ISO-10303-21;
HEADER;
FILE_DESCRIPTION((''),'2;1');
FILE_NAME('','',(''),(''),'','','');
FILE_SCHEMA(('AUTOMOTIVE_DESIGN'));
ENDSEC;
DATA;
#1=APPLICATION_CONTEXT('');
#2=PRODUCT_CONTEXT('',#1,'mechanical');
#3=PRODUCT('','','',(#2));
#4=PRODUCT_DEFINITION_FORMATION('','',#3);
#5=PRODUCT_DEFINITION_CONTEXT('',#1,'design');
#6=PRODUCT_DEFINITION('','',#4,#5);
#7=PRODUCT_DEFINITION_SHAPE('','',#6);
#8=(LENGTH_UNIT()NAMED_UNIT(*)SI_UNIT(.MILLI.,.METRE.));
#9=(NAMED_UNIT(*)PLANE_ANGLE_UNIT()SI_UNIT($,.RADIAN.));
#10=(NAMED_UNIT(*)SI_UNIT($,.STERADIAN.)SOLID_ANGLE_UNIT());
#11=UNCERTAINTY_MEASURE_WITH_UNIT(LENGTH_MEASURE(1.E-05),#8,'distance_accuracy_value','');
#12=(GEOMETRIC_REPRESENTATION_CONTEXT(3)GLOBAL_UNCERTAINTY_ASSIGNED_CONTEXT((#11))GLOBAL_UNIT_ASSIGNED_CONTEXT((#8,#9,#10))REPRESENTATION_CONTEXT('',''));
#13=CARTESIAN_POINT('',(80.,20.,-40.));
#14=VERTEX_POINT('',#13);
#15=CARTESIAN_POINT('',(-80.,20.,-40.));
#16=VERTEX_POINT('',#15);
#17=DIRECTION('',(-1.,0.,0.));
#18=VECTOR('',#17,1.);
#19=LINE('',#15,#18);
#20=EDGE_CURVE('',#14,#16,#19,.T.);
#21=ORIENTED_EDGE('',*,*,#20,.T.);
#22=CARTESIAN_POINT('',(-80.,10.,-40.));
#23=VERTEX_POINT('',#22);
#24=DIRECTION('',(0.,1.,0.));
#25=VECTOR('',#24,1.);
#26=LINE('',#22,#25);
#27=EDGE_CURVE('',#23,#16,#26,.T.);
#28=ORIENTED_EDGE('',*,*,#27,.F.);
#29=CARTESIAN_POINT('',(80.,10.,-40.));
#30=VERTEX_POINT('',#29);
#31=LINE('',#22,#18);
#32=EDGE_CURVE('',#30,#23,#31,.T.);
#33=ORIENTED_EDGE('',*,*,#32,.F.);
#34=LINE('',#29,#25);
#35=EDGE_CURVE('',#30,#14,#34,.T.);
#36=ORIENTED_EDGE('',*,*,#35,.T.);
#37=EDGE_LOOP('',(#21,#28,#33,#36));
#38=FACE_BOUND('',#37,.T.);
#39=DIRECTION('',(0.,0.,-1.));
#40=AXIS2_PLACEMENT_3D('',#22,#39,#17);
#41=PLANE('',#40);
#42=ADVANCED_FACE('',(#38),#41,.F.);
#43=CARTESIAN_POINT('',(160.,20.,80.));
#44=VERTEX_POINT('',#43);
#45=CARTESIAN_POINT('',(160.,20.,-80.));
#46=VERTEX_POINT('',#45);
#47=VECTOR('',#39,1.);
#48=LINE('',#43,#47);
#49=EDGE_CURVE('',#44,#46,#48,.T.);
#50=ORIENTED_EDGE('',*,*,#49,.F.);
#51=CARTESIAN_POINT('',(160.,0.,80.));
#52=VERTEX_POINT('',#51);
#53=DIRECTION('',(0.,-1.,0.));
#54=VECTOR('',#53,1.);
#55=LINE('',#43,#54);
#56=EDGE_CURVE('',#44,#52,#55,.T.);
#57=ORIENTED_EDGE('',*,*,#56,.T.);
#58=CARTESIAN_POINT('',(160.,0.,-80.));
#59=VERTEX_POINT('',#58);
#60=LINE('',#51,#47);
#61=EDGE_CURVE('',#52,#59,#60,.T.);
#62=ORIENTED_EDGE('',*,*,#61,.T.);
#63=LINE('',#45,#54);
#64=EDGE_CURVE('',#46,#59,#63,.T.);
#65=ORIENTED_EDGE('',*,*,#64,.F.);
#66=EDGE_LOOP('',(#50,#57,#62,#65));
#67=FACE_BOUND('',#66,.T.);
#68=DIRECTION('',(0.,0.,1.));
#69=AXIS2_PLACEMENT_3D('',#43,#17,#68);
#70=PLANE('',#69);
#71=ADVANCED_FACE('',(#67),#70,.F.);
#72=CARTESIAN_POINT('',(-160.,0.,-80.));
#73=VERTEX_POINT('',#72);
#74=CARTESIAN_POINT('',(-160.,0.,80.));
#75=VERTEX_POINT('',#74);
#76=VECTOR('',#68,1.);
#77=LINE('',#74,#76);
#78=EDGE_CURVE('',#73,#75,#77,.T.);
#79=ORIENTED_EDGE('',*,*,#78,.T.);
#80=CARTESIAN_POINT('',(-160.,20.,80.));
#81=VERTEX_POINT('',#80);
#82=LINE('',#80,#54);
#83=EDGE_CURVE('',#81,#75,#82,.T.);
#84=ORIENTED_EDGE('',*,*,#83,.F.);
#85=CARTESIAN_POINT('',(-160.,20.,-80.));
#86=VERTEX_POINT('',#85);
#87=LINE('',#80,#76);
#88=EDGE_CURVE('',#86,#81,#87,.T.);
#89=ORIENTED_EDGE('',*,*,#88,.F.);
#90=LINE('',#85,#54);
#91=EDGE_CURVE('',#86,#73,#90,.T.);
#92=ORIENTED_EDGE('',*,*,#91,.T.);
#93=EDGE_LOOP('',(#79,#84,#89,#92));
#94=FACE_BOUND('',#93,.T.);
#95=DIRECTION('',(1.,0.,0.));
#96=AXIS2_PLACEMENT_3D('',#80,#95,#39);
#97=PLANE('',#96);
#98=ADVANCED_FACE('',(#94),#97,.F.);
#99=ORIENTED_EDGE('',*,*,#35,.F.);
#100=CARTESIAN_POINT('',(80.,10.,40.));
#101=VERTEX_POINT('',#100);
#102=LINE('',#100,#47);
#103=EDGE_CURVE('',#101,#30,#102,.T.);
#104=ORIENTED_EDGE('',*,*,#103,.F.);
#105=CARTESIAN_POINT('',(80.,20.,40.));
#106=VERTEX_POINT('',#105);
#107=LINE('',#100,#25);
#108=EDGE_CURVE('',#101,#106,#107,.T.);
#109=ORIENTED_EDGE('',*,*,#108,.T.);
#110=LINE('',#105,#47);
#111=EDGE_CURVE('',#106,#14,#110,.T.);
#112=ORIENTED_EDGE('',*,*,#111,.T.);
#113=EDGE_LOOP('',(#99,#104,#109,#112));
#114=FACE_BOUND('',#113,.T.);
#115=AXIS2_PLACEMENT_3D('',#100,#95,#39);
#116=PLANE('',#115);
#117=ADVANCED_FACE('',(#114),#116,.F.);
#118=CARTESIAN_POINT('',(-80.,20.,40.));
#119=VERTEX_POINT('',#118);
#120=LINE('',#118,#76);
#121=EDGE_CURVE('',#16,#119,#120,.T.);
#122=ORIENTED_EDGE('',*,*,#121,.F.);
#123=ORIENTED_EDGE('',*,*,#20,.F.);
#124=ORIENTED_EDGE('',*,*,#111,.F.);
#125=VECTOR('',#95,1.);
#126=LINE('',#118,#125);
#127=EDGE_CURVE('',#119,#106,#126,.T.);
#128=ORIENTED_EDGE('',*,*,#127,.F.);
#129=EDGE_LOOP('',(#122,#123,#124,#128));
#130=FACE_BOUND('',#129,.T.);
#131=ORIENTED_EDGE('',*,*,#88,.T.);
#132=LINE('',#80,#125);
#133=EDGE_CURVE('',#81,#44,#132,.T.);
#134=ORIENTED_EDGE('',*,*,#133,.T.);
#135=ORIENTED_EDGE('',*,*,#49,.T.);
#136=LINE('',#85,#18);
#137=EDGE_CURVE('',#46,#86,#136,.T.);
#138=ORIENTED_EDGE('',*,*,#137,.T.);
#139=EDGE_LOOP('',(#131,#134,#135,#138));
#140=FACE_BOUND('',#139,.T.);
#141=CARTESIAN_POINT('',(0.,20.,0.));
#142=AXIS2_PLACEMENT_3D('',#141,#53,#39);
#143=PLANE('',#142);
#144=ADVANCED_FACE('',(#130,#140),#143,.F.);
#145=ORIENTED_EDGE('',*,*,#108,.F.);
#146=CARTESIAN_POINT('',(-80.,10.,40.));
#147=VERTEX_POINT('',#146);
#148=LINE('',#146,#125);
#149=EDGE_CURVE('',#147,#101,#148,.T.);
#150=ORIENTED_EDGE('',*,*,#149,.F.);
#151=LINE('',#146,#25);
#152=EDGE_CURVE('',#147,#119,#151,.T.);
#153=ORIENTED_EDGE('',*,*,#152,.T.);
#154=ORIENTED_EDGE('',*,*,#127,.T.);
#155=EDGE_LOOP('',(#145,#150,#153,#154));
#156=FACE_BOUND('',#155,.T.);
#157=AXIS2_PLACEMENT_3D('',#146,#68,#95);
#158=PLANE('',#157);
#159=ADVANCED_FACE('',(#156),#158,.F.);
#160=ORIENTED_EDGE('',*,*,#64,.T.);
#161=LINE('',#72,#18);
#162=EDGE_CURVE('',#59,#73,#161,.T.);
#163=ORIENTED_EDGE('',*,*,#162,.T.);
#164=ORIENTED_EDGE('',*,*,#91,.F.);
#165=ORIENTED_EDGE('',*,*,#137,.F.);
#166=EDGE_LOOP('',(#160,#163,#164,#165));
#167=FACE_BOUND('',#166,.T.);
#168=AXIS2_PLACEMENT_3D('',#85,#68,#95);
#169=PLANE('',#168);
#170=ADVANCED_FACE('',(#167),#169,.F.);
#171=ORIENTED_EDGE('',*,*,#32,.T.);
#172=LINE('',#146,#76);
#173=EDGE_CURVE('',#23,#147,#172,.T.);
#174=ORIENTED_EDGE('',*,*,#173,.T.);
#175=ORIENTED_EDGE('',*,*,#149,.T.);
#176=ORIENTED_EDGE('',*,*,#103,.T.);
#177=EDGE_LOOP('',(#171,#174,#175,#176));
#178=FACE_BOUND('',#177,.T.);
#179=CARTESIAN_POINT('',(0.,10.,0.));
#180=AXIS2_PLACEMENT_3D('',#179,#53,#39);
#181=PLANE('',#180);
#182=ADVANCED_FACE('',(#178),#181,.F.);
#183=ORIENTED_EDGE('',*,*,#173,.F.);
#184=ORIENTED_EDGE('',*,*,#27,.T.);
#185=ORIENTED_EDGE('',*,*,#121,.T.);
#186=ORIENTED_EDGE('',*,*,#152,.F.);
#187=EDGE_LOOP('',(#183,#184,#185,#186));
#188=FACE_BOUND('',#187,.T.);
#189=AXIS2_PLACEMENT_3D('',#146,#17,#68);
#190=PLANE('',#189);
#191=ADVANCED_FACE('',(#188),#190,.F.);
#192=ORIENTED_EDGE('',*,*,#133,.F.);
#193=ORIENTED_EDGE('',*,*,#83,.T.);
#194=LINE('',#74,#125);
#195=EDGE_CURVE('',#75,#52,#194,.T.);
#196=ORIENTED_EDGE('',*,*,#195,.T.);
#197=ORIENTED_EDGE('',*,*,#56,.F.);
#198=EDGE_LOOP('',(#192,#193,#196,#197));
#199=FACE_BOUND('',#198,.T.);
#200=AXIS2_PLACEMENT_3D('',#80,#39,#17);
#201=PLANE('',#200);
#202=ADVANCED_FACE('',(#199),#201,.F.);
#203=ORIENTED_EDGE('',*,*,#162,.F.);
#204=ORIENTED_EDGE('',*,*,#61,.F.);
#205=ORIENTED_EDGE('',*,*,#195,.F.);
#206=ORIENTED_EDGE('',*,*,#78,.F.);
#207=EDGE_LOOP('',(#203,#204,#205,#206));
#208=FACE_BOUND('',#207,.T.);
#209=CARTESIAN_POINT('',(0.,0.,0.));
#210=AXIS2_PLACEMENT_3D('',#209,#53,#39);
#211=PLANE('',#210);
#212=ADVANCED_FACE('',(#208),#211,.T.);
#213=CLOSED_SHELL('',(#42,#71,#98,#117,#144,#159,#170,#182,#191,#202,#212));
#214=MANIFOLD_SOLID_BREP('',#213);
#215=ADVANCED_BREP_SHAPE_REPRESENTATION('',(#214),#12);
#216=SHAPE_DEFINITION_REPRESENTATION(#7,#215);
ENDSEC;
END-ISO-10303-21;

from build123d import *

# Parameters (mm, degrees)
SKETCH_1_W          = 320
SKETCH_1_H          = 160
EXTRUDE_1_DEPTH     = 20
SKETCH_2_W          = 160
SKETCH_2_H          = 80
CUT_EXTRUDE_1_DEPTH = 10


with BuildPart() as part:
    # Эскиз1 → Бобышка-Вытянуть1 (new body)
    with BuildSketch(Plane(origin=(0, 0, 0), x_dir=(1, 0, 0), z_dir=(0, 1, 0))):
        Rectangle(SKETCH_1_W, SKETCH_1_H)
    extrude(amount=EXTRUDE_1_DEPTH)

    # Эскиз2 → Вырез-Вытянуть1 (cut)
    with BuildSketch(Plane(origin=(0, 20, 0), x_dir=(1, 0, 0), z_dir=(0, 1, 0))):
        Rectangle(SKETCH_2_W, SKETCH_2_H)
    extrude(amount=-CUT_EXTRUDE_1_DEPTH, mode=Mode.SUBTRACT)


solid = part.part
